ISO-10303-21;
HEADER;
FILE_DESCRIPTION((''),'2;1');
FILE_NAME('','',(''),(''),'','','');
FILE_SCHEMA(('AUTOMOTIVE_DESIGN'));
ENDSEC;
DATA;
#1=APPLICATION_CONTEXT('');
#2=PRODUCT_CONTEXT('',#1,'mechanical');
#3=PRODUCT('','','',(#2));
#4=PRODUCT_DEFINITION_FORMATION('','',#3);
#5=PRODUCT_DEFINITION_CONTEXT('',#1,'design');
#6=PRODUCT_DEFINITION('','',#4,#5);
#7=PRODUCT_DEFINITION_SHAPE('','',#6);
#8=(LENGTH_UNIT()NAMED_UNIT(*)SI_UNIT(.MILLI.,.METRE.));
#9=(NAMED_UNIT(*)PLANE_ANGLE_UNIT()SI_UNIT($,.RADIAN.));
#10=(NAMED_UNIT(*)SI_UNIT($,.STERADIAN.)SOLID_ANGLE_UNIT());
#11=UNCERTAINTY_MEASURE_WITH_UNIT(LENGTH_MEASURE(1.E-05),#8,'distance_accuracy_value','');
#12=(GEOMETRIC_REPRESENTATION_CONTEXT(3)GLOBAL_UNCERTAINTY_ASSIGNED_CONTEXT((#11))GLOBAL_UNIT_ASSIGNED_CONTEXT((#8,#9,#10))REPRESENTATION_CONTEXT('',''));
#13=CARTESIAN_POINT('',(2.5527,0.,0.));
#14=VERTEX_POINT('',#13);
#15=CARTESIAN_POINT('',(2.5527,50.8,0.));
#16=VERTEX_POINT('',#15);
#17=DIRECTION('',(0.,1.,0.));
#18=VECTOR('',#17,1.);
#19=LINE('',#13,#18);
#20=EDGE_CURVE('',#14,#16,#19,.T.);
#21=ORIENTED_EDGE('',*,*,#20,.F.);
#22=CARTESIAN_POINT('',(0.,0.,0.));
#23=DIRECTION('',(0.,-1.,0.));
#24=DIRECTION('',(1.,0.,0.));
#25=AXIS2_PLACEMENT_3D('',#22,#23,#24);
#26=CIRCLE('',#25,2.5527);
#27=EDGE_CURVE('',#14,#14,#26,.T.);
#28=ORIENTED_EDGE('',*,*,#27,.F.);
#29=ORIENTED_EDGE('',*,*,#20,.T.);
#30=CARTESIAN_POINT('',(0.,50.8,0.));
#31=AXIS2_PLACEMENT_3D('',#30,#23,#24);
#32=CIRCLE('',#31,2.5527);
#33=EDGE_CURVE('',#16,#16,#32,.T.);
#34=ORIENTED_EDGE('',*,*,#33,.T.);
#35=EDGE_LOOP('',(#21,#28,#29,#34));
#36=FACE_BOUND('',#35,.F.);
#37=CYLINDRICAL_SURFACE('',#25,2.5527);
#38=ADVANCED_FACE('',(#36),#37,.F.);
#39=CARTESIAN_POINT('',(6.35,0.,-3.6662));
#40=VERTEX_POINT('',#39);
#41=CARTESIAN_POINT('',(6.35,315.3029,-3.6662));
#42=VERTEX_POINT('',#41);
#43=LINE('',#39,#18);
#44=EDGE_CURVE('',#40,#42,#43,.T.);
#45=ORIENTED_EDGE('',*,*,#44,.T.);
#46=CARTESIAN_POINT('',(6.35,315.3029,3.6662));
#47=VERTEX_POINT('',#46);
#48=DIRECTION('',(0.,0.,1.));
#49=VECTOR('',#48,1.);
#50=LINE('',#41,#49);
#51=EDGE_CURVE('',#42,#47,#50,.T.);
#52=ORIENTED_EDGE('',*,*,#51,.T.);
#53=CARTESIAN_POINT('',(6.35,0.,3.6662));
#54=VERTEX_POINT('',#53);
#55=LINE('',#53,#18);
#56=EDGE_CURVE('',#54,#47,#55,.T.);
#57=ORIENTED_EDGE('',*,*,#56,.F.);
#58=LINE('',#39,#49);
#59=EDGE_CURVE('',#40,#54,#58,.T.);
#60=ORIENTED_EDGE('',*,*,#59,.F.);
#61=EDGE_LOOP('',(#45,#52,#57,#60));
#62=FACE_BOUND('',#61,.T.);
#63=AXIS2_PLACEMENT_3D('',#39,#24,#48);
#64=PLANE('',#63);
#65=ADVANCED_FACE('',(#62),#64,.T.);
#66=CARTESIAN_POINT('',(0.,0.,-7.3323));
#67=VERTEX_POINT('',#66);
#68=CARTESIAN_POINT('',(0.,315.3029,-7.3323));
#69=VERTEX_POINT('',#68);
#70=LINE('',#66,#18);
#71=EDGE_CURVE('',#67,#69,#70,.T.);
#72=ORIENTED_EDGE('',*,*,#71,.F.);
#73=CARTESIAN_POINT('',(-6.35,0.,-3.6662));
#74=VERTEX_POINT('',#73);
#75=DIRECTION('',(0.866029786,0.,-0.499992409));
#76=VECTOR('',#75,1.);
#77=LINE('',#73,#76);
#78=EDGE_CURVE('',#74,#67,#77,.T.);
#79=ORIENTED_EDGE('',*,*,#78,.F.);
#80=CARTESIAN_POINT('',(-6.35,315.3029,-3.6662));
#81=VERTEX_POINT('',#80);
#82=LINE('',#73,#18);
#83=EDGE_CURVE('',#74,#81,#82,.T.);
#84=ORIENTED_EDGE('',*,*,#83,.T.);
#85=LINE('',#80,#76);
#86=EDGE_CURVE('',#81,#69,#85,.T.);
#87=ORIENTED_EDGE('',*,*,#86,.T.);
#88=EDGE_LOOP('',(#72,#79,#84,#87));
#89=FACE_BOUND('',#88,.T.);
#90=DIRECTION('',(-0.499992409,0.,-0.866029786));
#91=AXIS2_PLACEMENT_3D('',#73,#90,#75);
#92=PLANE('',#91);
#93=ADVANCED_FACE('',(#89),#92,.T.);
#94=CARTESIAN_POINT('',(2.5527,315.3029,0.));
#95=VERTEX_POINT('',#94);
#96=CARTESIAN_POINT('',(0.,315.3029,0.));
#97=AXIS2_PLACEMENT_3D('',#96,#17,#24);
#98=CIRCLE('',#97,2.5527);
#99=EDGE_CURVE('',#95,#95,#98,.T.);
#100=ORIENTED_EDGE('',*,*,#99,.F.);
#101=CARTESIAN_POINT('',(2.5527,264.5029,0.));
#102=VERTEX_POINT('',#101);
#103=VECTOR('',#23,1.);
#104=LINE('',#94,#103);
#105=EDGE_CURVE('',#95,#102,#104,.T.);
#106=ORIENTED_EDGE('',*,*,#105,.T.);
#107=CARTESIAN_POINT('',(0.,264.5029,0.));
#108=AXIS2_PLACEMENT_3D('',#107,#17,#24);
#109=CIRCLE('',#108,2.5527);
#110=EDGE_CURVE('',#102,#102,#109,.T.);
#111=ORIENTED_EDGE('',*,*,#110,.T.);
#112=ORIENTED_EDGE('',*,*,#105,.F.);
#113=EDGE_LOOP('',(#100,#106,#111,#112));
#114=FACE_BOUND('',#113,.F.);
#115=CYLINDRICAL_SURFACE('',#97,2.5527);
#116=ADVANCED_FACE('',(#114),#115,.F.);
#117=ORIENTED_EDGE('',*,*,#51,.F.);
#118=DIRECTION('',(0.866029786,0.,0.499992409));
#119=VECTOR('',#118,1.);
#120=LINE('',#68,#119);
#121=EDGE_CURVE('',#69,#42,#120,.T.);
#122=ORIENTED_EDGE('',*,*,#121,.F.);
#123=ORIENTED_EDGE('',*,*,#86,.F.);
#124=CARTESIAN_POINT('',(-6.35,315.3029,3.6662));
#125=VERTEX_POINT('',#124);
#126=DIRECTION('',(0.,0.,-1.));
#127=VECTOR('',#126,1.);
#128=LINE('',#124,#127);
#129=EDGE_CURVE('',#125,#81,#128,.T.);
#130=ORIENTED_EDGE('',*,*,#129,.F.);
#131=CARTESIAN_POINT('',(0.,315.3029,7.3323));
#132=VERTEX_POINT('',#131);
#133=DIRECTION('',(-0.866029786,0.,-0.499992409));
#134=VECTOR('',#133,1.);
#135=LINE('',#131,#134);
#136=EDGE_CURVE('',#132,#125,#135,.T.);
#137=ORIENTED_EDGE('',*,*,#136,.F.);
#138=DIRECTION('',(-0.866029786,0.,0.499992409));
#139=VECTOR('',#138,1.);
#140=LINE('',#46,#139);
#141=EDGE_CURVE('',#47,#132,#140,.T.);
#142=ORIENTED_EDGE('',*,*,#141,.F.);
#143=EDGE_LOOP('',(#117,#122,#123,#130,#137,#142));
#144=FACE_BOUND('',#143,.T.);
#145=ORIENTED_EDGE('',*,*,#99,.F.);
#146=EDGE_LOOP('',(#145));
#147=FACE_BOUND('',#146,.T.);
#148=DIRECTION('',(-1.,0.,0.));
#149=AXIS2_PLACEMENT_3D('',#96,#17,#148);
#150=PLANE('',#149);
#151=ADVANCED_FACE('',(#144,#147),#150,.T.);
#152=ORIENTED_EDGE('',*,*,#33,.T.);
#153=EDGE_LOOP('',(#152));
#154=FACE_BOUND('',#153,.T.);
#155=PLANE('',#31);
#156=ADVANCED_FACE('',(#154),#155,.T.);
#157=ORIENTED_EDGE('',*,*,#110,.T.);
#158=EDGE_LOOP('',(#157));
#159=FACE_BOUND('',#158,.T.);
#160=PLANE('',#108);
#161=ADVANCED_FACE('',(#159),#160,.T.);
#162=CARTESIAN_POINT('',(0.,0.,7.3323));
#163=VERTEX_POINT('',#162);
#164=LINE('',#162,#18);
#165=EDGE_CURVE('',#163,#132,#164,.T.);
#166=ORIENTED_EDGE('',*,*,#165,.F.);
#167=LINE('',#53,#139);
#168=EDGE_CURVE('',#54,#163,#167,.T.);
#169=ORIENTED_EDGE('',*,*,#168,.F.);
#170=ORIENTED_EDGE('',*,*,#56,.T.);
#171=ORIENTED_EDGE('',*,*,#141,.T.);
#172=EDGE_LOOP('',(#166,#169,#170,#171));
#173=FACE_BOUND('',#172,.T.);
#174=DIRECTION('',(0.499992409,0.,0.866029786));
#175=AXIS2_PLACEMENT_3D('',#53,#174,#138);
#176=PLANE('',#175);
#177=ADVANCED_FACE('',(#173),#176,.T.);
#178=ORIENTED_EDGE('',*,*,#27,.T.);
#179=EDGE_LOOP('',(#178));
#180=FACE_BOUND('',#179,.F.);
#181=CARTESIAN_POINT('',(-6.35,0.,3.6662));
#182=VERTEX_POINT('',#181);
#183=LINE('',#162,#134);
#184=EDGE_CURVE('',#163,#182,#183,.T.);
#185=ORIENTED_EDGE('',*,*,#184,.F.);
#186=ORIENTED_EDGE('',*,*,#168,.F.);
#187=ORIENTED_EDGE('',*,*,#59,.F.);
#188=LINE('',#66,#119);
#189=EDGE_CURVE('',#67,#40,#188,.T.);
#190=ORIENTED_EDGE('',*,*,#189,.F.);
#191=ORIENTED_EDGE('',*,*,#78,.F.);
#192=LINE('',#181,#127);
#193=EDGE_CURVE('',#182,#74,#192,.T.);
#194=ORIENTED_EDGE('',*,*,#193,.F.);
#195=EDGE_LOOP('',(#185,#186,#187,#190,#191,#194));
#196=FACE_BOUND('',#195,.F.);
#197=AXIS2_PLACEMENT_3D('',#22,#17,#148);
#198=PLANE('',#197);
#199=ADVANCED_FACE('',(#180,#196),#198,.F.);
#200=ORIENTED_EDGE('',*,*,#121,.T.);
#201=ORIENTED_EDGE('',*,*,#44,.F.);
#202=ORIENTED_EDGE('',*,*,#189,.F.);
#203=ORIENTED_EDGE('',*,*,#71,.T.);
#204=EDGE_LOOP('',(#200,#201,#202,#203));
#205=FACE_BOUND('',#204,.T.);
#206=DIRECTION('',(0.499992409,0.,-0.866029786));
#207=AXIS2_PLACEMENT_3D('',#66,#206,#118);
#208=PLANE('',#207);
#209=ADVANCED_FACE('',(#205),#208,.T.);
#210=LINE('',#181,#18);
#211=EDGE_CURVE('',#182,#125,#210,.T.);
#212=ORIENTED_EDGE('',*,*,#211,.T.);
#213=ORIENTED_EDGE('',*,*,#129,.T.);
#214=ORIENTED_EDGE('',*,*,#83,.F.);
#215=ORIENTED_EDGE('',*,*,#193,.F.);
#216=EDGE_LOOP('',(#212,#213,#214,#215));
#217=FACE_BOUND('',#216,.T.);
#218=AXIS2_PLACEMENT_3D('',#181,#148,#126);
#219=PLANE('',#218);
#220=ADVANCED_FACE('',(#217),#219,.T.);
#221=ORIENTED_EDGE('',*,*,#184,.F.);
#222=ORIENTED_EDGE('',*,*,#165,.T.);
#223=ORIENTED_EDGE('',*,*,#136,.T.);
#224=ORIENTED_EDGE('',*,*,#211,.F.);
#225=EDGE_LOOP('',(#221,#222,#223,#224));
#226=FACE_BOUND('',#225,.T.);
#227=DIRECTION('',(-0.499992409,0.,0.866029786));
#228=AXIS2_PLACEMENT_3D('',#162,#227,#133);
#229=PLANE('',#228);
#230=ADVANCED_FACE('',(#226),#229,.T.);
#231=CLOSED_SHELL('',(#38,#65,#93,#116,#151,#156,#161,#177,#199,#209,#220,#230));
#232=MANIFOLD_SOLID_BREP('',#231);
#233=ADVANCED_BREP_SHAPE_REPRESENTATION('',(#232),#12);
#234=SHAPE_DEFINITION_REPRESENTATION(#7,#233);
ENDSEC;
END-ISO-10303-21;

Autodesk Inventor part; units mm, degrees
ref_plane "YZ Plane" through (0, 0, 0) normal (1, 0, 0) x (0, 1, 0)
ref_plane "XZ Plane" through (0, 0, 0) normal (0, 1, 0) x (-1, 0, 0)
ref_plane "XY Plane" through (0, 0, 0) normal (0, 0, 1) x (1, 0, 0)
sketch "Sketch1" plane through (0, 0, 0) normal (0, 1, 0) x (-1, 0, 0)
  line L0 (6.35, 3.6662) -> (6.35, -3.6662)
  line L1 (6.35, -3.6662) -> (0, -7.3323)
  line L2 (0, -7.3323) -> (-6.35, -3.6662)
  line L3 (-6.35, -3.6662) -> (-6.35, 3.6662)
  line L4 (-6.35, 3.6662) -> (0, 7.3323)
  line L5 (0, 7.3323) -> (6.35, 3.6662)
  point P0 (0, 0)
  point P1 (0, 0)
  dimension "d0" = 12.7
extrude "Extrusion1" add sketch "Sketch1" along normal blind 315.3029
sketch "Sketch2" plane through (0, 315.3029, 0) normal (0, 1, 0) x (1, 0, 0)
  circle A0 centre (0, 0) radius 2.5527
  dimension "d3" = 5.1054
extrude "Extrusion2" cut sketch "Sketch2" against normal blind 50.8
sketch "Sketch3" plane through (0, 0, 0) normal (0, -1, 0) x (1, 0, 0)
  circle A0 centre (0, 0) radius 2.5527
  dimension "d6" = 5.1054
extrude "Extrusion3" cut sketch "Sketch3" against normal blind 50.8
thread "Thread1" size "1/4-20 UNC" class "2B" standard "ANSI Unified Screw Threads" full length
properties part number "CORL_010_DropGearShaft" material "Aluminum 6061"
